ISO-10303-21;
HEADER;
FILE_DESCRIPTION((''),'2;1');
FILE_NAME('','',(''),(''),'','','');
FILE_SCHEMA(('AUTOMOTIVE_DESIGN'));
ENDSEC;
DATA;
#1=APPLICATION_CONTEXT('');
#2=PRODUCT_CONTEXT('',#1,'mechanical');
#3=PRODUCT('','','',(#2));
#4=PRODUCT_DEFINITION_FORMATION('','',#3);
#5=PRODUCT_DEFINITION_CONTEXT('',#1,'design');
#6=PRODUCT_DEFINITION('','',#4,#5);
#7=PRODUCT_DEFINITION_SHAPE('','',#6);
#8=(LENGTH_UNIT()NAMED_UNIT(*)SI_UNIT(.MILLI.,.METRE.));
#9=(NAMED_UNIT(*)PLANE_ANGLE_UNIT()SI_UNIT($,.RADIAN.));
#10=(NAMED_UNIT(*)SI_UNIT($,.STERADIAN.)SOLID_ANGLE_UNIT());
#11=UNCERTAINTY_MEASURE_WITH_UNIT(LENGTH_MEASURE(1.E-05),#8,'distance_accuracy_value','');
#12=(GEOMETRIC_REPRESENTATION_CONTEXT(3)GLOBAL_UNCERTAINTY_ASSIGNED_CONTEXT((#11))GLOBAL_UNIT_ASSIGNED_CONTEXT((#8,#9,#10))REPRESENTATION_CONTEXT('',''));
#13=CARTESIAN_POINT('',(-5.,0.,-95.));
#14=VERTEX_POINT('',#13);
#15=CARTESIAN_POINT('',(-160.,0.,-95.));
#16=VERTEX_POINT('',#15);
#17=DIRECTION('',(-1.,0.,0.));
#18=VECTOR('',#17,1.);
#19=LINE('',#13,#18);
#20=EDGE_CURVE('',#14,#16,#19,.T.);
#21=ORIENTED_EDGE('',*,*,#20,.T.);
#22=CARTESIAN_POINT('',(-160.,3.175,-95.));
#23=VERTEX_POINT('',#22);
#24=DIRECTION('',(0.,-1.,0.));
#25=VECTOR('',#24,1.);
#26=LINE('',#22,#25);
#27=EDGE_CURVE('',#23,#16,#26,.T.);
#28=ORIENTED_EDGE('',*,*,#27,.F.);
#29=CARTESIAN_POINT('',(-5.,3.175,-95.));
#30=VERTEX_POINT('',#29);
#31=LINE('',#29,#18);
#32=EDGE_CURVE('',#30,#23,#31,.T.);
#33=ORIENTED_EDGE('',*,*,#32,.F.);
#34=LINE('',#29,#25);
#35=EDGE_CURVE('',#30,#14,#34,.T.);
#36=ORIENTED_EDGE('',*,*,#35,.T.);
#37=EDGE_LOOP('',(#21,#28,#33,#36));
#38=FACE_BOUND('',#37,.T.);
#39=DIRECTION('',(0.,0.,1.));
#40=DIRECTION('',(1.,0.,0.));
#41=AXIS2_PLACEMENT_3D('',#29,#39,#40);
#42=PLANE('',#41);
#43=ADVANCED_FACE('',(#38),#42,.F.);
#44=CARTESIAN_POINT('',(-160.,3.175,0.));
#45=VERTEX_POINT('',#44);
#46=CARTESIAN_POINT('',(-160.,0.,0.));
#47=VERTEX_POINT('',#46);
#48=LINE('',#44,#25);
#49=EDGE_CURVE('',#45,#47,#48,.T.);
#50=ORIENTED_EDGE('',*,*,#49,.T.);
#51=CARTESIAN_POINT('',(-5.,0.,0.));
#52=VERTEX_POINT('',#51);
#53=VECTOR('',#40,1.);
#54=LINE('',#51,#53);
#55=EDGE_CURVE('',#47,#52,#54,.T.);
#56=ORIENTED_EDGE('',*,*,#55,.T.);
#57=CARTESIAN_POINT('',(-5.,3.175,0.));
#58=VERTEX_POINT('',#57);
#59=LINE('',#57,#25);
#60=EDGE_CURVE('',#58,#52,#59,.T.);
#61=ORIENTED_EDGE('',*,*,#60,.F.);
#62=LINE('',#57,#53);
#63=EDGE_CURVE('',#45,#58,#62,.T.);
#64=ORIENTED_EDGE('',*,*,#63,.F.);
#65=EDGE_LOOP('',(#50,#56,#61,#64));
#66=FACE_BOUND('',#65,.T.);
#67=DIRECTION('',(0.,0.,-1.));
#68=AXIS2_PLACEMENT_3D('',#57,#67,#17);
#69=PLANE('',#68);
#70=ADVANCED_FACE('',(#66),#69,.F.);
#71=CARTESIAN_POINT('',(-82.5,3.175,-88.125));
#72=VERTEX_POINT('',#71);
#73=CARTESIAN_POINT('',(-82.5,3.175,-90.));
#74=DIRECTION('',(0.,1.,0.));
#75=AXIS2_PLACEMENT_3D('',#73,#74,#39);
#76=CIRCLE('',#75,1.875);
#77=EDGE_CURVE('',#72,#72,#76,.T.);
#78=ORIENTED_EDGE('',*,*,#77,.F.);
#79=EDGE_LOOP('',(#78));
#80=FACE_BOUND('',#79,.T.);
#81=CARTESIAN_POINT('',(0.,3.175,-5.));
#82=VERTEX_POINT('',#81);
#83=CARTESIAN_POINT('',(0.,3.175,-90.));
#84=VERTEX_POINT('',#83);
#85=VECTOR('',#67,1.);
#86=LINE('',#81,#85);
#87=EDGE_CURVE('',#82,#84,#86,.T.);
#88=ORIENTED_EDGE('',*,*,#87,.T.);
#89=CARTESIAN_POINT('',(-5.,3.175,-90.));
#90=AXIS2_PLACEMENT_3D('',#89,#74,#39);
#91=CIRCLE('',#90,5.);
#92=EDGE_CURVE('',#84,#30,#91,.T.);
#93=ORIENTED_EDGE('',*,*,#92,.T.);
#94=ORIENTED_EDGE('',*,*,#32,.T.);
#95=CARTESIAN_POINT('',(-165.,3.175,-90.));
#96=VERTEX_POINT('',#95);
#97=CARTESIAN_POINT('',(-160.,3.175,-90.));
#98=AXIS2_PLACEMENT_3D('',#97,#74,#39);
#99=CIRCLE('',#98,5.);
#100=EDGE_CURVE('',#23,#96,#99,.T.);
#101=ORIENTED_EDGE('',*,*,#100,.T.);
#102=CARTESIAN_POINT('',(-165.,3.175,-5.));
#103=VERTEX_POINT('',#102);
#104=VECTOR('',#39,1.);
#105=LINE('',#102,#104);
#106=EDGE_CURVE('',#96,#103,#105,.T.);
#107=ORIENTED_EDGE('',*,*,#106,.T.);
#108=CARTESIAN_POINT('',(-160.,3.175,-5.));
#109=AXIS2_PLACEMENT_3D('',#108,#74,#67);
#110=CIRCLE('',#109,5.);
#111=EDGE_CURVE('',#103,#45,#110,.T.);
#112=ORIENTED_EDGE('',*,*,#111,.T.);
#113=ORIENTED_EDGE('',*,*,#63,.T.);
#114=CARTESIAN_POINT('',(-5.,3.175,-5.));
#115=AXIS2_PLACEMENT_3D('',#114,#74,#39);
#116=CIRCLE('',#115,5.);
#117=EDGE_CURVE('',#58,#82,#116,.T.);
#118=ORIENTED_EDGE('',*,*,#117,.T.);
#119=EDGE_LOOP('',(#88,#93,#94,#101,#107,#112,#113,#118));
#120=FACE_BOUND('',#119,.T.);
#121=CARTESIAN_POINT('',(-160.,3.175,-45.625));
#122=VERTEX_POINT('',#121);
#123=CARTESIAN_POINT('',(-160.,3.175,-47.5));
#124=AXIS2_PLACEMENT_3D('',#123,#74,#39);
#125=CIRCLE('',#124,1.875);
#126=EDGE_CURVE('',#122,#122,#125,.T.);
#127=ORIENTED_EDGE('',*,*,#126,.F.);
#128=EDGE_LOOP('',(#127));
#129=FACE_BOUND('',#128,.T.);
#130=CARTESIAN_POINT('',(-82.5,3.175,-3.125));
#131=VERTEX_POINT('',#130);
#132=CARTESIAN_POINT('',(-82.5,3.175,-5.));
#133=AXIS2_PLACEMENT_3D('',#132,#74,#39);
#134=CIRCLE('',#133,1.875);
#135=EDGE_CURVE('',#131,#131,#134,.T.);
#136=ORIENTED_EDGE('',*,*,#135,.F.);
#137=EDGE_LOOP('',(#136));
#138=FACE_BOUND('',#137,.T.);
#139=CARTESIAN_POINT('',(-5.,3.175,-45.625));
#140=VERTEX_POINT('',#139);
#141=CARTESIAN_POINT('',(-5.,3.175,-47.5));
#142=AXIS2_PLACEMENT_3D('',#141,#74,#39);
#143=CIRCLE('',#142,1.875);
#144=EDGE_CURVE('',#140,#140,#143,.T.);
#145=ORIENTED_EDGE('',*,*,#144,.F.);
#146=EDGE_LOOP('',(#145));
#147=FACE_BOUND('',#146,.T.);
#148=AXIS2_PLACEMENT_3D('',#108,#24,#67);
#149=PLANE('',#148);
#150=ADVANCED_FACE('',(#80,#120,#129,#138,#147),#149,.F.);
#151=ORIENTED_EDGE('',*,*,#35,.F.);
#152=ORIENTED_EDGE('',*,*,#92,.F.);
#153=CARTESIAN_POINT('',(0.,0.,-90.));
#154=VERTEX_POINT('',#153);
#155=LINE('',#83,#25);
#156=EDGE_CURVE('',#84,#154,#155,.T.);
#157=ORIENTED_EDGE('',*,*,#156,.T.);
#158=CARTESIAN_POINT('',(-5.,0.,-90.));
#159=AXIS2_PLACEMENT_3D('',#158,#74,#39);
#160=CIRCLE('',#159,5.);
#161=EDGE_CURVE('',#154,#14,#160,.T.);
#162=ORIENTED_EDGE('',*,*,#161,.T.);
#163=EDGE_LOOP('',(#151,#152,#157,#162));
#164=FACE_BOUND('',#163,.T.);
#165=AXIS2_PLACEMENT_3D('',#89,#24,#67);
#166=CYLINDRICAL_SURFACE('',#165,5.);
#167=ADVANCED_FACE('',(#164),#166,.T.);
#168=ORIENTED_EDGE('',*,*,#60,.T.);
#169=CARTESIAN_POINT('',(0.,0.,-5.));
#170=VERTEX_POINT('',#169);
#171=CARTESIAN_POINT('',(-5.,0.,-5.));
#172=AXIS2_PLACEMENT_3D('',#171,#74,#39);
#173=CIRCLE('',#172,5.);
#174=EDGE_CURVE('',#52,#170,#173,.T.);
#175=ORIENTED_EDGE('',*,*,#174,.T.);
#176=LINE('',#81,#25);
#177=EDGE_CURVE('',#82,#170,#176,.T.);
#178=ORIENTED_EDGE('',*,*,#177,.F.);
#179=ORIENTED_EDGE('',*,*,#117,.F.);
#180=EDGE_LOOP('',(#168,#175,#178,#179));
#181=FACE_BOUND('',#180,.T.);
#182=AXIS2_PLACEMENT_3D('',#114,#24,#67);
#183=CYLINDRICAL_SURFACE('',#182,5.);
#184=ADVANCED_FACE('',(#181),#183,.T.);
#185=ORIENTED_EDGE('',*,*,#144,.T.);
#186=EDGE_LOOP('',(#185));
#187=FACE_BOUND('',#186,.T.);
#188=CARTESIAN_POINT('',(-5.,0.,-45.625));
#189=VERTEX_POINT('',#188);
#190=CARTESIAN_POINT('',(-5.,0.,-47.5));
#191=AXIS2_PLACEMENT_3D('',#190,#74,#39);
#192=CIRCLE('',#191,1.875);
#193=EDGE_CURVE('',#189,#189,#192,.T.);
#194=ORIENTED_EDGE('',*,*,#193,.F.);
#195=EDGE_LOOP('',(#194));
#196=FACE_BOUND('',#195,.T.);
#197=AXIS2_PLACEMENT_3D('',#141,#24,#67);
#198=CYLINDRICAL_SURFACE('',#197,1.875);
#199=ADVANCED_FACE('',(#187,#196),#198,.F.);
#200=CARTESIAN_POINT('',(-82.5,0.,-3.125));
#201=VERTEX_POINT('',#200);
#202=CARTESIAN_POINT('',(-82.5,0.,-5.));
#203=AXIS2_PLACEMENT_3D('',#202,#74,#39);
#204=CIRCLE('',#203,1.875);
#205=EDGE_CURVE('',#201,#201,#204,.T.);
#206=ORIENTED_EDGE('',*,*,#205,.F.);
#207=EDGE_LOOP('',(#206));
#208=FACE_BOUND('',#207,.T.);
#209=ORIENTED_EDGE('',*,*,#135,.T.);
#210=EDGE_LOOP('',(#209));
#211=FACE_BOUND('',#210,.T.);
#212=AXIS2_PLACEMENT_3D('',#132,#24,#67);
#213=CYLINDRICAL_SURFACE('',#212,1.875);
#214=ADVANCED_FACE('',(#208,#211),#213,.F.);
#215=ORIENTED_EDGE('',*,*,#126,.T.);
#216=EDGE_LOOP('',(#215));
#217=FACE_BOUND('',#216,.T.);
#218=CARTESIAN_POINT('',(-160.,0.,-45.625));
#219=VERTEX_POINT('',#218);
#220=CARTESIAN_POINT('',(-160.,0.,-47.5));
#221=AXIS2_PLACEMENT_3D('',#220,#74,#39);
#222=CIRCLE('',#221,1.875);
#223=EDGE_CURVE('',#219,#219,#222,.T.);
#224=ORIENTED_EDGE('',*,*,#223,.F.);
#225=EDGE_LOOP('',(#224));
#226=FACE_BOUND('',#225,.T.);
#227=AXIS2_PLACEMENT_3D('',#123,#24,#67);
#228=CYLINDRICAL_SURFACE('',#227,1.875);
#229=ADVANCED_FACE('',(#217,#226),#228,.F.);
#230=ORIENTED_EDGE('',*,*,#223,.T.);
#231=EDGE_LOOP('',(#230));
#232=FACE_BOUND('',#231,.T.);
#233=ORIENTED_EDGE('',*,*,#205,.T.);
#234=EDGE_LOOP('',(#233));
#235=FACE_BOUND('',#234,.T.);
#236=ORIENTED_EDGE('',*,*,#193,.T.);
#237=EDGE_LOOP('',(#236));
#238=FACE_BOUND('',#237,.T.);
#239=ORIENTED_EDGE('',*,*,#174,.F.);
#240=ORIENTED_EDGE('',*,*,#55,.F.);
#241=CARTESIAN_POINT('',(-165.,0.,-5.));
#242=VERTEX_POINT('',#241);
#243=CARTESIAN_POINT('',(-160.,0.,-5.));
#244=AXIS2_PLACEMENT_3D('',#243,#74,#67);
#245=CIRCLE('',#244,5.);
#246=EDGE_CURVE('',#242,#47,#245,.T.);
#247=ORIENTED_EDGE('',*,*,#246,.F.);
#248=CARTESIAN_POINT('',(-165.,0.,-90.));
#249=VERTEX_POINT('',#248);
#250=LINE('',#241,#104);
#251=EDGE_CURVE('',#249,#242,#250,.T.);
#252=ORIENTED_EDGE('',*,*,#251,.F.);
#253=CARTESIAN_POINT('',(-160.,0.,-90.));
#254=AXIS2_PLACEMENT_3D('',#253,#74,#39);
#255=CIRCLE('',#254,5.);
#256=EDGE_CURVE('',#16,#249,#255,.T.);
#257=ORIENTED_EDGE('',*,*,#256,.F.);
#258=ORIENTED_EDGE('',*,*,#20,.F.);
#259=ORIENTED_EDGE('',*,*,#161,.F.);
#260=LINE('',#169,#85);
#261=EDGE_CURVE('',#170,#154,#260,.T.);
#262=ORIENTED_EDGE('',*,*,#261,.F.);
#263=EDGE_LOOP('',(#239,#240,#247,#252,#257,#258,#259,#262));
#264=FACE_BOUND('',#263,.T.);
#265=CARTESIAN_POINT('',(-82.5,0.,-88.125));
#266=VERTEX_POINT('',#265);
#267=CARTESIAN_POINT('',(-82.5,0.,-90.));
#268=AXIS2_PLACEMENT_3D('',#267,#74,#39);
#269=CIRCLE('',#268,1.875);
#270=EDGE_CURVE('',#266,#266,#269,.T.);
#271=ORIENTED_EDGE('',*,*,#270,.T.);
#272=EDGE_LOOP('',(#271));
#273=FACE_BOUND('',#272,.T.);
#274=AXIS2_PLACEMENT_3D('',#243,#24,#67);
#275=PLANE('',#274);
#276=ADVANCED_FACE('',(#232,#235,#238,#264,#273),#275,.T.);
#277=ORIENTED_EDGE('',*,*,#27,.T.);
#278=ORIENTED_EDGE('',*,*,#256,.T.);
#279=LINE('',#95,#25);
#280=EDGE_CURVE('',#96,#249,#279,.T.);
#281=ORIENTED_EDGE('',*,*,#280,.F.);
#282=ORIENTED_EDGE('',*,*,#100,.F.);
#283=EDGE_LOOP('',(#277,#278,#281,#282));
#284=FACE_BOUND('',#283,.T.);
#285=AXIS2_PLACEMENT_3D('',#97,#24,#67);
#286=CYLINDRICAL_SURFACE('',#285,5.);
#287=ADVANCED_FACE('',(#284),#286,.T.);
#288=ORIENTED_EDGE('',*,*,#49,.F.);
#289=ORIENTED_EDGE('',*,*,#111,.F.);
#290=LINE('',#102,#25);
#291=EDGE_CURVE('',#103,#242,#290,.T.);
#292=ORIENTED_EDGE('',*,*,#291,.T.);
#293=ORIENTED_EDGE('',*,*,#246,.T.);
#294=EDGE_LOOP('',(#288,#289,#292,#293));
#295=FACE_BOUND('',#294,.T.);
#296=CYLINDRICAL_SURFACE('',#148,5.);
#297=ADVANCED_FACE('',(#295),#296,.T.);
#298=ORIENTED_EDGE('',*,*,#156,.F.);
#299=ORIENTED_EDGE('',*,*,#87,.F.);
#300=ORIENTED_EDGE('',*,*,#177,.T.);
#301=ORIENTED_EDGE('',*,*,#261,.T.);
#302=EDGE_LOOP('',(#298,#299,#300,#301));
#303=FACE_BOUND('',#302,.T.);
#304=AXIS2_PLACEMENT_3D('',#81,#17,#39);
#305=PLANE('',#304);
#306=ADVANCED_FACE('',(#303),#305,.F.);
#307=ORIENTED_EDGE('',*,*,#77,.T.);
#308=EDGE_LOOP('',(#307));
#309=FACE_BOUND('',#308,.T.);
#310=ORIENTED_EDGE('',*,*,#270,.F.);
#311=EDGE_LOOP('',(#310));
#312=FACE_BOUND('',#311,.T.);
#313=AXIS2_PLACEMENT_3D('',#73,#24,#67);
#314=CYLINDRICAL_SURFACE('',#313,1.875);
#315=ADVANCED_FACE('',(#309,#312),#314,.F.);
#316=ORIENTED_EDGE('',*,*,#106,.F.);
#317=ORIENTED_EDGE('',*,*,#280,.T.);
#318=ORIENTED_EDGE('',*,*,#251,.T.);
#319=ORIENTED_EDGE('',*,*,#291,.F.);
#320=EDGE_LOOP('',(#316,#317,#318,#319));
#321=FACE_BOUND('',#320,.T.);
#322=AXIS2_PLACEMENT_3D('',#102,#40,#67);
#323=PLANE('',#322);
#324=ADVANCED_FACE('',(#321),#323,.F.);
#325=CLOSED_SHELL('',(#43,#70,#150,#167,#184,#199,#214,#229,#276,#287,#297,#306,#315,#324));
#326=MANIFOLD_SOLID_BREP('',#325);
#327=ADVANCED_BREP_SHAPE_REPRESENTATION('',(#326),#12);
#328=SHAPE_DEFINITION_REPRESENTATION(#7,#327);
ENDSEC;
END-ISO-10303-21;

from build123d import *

# Parameters (mm, degrees)
SKETCH1_R           = 1.875
BOSS_EXTRUDE1_DEPTH = 3.175


with BuildPart() as part:
    # Sketch1 → Boss-Extrude1 (new body)
    with BuildSketch(Plane(origin=(0, 0, 0), x_dir=(1, 0, 0), z_dir=(0, 1, 0))):
        with BuildLine():
            Line((-5, 0), (-160, 0))
            ThreePointArc((-160, 0), (-163.535533906, 1.464466094), (-165, 5))
            Line((-165, 5), (-165, 90))
            ThreePointArc((-165, 90), (-163.535533906, 93.535533906), (-160, 95))
            Line((-160, 95), (-5, 95))
            ThreePointArc((-5, 95), (-1.464466094, 93.535533906), (0, 90))
            Line((0, 90), (0, 5))
            ThreePointArc((0, 5), (-1.464466094, 1.464466094), (-5, 0))
        make_face()
        with Locations(Location((-160, 47.5, 0), (0, 0, 270))):
            Circle(SKETCH1_R, mode=Mode.SUBTRACT)
        with Locations(Location((-5, 47.5, 0), (0, 0, 270))):
            Circle(SKETCH1_R, mode=Mode.SUBTRACT)
        with Locations(Location((-82.5, 90, 0), (0, 0, 270))):
            Circle(SKETCH1_R, mode=Mode.SUBTRACT)
        with Locations(Location((-82.5, 5, 0), (0, 0, 270))):
            Circle(SKETCH1_R, mode=Mode.SUBTRACT)
    extrude(amount=BOSS_EXTRUDE1_DEPTH)


solid = part.part
